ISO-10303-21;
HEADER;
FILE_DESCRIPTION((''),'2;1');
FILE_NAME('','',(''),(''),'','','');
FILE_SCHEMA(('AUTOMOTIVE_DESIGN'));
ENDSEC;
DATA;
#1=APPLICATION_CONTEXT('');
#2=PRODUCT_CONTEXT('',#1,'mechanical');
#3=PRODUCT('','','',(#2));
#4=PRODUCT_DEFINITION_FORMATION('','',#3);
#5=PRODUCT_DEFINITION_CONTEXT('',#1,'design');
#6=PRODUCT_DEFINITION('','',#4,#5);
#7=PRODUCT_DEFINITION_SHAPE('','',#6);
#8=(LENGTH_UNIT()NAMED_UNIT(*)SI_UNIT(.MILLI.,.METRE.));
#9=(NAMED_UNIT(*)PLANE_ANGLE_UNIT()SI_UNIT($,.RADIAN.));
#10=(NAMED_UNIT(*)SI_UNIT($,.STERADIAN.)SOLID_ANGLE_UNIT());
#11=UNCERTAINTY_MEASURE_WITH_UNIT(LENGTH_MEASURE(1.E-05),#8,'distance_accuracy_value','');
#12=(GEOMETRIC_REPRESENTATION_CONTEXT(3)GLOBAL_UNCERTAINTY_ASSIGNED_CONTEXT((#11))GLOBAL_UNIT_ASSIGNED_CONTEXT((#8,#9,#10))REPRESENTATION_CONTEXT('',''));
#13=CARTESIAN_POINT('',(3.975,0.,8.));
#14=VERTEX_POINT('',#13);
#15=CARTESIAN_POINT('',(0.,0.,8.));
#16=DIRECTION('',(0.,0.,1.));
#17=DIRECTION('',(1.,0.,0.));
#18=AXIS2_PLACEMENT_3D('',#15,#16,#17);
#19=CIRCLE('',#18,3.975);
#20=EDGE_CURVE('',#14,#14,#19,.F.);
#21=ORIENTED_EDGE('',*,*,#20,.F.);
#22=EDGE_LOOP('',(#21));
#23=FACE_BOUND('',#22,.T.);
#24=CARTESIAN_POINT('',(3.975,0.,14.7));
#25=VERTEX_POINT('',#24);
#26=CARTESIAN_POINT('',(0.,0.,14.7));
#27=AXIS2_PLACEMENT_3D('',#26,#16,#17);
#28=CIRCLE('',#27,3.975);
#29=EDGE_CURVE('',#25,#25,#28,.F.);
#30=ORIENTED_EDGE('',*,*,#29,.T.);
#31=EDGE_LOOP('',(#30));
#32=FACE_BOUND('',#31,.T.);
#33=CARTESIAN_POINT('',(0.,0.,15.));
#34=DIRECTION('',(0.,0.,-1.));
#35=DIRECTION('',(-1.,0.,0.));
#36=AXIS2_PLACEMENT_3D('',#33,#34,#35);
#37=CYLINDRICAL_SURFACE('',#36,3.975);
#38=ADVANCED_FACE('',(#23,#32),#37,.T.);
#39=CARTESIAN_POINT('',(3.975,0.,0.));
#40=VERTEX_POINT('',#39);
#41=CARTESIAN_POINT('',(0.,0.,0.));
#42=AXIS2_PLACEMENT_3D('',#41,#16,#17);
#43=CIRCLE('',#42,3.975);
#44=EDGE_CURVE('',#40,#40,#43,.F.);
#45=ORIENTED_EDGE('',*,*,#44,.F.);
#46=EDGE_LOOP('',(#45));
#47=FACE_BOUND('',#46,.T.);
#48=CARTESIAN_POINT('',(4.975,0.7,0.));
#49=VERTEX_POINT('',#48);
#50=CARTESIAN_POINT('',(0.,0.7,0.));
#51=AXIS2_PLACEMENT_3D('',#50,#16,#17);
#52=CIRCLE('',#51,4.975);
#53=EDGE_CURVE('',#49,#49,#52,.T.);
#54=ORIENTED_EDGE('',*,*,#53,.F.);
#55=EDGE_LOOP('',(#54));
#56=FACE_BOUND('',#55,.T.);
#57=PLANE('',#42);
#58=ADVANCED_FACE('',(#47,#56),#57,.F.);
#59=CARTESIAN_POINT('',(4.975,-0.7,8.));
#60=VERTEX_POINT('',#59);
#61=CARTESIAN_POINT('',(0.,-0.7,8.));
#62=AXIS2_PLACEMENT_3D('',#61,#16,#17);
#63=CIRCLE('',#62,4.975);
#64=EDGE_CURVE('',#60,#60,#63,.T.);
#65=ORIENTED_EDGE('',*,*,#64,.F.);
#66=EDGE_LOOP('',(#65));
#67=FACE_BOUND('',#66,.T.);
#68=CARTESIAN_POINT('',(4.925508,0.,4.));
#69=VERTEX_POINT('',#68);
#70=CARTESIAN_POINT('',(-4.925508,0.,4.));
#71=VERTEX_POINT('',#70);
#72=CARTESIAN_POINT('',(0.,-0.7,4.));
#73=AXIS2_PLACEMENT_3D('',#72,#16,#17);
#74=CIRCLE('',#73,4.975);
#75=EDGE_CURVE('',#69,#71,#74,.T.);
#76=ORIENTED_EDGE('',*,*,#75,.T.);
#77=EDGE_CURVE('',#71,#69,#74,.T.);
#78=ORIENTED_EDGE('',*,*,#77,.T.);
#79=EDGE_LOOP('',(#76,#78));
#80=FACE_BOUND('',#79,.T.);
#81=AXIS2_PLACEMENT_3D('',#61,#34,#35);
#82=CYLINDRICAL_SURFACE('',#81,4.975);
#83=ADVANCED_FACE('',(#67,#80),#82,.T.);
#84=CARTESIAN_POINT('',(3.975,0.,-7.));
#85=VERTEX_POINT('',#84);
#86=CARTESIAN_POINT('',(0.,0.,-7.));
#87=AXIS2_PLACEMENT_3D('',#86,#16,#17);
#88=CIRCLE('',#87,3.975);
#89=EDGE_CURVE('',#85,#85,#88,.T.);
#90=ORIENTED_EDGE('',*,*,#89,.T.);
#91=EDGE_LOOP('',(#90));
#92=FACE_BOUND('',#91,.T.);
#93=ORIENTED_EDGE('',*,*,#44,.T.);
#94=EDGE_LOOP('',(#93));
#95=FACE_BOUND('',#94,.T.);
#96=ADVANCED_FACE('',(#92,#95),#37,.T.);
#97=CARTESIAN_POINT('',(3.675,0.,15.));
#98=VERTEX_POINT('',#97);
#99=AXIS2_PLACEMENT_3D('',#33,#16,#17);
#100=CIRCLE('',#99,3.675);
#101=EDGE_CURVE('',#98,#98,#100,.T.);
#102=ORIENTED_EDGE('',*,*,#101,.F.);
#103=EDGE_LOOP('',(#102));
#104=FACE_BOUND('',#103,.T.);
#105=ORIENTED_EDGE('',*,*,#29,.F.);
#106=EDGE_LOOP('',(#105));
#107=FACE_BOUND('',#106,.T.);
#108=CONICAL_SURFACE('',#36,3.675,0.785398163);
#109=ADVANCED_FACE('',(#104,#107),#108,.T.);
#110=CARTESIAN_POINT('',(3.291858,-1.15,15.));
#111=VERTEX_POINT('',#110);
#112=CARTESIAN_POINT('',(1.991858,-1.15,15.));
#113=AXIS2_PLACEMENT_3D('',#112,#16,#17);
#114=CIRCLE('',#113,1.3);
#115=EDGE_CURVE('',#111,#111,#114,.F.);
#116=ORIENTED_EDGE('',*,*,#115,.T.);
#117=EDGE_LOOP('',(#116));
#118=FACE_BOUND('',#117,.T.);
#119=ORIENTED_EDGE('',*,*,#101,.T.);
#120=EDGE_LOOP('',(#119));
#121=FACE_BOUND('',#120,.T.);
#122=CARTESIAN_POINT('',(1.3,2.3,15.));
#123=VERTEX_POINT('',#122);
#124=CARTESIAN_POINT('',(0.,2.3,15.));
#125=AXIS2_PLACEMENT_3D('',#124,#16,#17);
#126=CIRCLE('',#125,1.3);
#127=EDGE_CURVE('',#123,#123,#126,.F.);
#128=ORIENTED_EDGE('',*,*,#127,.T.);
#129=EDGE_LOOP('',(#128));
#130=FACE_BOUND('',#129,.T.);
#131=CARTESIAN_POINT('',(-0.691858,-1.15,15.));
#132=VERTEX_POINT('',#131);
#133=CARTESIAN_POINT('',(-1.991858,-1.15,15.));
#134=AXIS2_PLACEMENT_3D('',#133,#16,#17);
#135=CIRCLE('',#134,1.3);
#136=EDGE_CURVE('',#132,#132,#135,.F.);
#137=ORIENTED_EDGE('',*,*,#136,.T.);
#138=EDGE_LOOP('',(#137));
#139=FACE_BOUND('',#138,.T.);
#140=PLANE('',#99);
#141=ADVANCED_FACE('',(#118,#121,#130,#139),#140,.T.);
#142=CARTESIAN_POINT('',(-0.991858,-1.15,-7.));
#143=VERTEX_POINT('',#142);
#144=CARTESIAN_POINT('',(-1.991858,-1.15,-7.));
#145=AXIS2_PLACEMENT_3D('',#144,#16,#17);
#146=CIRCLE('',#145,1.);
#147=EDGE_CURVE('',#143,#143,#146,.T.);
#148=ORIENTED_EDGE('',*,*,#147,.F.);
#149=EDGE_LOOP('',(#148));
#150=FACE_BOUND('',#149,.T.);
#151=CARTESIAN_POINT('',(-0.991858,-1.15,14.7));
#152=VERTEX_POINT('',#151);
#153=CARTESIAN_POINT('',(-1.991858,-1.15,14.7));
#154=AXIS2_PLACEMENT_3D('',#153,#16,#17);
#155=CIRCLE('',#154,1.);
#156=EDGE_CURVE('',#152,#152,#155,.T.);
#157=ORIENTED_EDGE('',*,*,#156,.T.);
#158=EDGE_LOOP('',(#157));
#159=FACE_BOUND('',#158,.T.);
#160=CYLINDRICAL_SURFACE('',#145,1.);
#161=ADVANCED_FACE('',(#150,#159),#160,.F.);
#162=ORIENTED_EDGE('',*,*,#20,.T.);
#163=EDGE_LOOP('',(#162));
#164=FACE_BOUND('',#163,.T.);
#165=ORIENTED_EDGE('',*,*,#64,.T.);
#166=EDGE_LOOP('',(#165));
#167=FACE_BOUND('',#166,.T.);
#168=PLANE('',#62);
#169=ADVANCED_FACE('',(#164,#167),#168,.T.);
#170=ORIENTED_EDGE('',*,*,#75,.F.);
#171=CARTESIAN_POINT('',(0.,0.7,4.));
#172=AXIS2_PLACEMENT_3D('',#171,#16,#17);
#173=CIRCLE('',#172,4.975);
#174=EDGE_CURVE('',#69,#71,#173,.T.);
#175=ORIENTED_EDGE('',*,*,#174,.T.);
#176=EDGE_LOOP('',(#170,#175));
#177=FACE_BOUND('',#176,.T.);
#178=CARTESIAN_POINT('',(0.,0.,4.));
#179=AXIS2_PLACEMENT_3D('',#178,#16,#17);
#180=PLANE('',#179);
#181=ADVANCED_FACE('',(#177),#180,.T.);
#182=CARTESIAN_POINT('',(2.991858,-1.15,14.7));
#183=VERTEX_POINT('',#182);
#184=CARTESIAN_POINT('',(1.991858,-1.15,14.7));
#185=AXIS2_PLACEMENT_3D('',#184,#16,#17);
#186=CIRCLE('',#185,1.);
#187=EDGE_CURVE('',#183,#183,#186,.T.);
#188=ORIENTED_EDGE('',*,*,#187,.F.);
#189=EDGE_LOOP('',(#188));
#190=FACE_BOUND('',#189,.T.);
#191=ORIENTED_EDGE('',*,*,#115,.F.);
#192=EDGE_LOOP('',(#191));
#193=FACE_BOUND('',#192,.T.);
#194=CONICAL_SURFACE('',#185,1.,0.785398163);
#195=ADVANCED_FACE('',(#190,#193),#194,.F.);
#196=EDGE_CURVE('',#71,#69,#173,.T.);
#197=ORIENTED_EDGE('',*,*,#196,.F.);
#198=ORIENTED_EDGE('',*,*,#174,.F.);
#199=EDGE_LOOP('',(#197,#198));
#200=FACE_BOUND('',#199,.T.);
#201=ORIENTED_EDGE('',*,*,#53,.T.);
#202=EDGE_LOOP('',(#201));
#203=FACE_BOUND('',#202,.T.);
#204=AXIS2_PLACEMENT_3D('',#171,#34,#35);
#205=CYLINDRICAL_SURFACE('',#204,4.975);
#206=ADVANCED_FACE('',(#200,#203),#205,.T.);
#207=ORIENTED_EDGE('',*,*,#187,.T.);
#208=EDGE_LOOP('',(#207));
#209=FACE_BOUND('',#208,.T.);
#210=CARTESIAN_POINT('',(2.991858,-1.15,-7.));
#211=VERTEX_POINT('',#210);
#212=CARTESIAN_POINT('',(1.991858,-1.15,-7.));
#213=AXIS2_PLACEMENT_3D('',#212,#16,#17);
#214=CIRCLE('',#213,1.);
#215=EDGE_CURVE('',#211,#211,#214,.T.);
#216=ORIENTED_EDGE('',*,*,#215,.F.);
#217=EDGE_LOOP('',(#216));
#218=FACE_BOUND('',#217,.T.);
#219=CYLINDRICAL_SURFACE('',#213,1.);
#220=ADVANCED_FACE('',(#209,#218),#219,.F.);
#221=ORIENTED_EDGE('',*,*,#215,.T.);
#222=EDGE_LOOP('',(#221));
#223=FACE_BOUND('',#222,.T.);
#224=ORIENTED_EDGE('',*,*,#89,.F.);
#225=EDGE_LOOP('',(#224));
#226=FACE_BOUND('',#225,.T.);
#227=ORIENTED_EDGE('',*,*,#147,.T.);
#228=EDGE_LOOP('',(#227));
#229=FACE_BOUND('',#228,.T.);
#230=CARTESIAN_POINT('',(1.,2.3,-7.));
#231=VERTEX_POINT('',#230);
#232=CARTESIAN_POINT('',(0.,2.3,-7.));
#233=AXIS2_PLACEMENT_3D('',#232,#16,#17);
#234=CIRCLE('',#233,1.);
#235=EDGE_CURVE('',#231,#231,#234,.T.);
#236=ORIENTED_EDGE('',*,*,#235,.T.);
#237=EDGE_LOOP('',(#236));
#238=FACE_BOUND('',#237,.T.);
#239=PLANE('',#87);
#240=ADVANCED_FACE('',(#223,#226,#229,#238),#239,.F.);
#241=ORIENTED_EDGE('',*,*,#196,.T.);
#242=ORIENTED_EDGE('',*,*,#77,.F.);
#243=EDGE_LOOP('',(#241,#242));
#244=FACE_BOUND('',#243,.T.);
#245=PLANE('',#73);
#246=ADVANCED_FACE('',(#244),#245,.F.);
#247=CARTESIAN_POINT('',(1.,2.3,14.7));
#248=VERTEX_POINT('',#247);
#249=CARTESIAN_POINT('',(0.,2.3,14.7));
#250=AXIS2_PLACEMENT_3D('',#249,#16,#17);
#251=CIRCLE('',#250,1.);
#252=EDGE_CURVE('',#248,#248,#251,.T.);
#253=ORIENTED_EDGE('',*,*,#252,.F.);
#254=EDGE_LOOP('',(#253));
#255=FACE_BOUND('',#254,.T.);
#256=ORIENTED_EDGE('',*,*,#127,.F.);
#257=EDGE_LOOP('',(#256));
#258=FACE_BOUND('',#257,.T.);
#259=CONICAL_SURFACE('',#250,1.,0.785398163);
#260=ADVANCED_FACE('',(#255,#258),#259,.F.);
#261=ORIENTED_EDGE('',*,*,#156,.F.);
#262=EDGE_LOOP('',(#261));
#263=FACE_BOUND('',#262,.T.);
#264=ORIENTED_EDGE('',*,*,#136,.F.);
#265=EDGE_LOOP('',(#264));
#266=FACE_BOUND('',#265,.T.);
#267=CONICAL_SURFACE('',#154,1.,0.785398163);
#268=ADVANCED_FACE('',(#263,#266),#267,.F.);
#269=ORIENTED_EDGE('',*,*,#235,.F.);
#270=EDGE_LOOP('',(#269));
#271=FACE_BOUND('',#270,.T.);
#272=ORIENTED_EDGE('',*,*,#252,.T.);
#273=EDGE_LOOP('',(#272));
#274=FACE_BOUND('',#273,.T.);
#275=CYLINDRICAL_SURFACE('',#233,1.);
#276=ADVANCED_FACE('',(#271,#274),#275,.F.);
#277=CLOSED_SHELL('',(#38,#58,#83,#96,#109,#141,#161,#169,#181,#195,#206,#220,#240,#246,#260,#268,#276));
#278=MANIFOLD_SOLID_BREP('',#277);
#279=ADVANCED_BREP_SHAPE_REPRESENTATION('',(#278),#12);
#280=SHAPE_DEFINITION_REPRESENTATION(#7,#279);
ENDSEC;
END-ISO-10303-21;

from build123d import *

# Parameters (mm, degrees)
SKETCH1_R                = 4.975
BOSS_EXTRUDE1_DEPTH      = 4
BOSS_EXTRUDE2_START      = 4
SKETCH2_R                = 4.975
BOSS_EXTRUDE2_DEPTH      = 4
BOSS_EXTRUDE5_DEPTH      = 15
BOSS_EXTRUDE5_DEPTH_BACK = 7
SKETCH5_R                = 3.975
CUT_EXTRUDE1_DEPTH       = 17.791552936
CUT_EXTRUDE1_DEPTH_BACK  = 17.791552936
SKETCH9_R                = 1
CHAMFER1_SIZE            = 0.3


with BuildPart() as part:
    # Sketch1 → Boss-Extrude1 (new body)
    with BuildSketch(Plane.XY):
        with Locations((0, 0.7)):
            Circle(SKETCH1_R)
    extrude(amount=BOSS_EXTRUDE1_DEPTH)

    # Sketch2 → Boss-Extrude2 (add)
    with BuildSketch(Plane.XY.offset(BOSS_EXTRUDE2_START)):
        with Locations(Location((0, -0.7, 0), (0, 0, 171.911442188))):
            Circle(SKETCH2_R)
    extrude(amount=BOSS_EXTRUDE2_DEPTH)

    # Sketch5 → Boss-Extrude5 (add, two sides: drawn at the far end of the back side and taken through both)
    with BuildSketch(Plane.XY.offset(-BOSS_EXTRUDE5_DEPTH_BACK)):
        Circle(SKETCH5_R)
    extrude(amount=BOSS_EXTRUDE5_DEPTH + BOSS_EXTRUDE5_DEPTH_BACK)

    # Sketch9 → Cut-Extrude1 (cut, two sides: drawn at the far end of the back side and taken through both)
    with BuildSketch(Plane.XY.offset(-CUT_EXTRUDE1_DEPTH_BACK)):
        with BuildLine():
            ThreePointArc((0, 3.3), (-1, 2.3), (0, 1.3))
            Line((0, 1.3), (0, 3.3))
        make_face()
        with BuildLine():
            Line((0, 3.3), (0, 1.3))
            ThreePointArc((0, 1.3), (0.707106781, 1.592893219), (1, 2.3))
            ThreePointArc((1, 2.3), (0.707106781, 3.007106781), (0, 3.3))
        make_face()
        with Locations((-1.991858429, -1.15)):
            Circle(SKETCH9_R)
        with Locations((1.991858429, -1.15)):
            Circle(SKETCH9_R)
    extrude(amount=CUT_EXTRUDE1_DEPTH + CUT_EXTRUDE1_DEPTH_BACK, mode=Mode.SUBTRACT)

    # Chamfer1
    chamfer1_edges = [part.edges().sort_by_distance(p)[0] for p in [
        (-3.975, 0, 15),
        (0, 1.3, 15),
        (-2.991858429, -1.15, 15),
        (0.991858429, -1.15, 15),
    ]]
    chamfer(chamfer1_edges, length=CHAMFER1_SIZE)


solid = part.part
